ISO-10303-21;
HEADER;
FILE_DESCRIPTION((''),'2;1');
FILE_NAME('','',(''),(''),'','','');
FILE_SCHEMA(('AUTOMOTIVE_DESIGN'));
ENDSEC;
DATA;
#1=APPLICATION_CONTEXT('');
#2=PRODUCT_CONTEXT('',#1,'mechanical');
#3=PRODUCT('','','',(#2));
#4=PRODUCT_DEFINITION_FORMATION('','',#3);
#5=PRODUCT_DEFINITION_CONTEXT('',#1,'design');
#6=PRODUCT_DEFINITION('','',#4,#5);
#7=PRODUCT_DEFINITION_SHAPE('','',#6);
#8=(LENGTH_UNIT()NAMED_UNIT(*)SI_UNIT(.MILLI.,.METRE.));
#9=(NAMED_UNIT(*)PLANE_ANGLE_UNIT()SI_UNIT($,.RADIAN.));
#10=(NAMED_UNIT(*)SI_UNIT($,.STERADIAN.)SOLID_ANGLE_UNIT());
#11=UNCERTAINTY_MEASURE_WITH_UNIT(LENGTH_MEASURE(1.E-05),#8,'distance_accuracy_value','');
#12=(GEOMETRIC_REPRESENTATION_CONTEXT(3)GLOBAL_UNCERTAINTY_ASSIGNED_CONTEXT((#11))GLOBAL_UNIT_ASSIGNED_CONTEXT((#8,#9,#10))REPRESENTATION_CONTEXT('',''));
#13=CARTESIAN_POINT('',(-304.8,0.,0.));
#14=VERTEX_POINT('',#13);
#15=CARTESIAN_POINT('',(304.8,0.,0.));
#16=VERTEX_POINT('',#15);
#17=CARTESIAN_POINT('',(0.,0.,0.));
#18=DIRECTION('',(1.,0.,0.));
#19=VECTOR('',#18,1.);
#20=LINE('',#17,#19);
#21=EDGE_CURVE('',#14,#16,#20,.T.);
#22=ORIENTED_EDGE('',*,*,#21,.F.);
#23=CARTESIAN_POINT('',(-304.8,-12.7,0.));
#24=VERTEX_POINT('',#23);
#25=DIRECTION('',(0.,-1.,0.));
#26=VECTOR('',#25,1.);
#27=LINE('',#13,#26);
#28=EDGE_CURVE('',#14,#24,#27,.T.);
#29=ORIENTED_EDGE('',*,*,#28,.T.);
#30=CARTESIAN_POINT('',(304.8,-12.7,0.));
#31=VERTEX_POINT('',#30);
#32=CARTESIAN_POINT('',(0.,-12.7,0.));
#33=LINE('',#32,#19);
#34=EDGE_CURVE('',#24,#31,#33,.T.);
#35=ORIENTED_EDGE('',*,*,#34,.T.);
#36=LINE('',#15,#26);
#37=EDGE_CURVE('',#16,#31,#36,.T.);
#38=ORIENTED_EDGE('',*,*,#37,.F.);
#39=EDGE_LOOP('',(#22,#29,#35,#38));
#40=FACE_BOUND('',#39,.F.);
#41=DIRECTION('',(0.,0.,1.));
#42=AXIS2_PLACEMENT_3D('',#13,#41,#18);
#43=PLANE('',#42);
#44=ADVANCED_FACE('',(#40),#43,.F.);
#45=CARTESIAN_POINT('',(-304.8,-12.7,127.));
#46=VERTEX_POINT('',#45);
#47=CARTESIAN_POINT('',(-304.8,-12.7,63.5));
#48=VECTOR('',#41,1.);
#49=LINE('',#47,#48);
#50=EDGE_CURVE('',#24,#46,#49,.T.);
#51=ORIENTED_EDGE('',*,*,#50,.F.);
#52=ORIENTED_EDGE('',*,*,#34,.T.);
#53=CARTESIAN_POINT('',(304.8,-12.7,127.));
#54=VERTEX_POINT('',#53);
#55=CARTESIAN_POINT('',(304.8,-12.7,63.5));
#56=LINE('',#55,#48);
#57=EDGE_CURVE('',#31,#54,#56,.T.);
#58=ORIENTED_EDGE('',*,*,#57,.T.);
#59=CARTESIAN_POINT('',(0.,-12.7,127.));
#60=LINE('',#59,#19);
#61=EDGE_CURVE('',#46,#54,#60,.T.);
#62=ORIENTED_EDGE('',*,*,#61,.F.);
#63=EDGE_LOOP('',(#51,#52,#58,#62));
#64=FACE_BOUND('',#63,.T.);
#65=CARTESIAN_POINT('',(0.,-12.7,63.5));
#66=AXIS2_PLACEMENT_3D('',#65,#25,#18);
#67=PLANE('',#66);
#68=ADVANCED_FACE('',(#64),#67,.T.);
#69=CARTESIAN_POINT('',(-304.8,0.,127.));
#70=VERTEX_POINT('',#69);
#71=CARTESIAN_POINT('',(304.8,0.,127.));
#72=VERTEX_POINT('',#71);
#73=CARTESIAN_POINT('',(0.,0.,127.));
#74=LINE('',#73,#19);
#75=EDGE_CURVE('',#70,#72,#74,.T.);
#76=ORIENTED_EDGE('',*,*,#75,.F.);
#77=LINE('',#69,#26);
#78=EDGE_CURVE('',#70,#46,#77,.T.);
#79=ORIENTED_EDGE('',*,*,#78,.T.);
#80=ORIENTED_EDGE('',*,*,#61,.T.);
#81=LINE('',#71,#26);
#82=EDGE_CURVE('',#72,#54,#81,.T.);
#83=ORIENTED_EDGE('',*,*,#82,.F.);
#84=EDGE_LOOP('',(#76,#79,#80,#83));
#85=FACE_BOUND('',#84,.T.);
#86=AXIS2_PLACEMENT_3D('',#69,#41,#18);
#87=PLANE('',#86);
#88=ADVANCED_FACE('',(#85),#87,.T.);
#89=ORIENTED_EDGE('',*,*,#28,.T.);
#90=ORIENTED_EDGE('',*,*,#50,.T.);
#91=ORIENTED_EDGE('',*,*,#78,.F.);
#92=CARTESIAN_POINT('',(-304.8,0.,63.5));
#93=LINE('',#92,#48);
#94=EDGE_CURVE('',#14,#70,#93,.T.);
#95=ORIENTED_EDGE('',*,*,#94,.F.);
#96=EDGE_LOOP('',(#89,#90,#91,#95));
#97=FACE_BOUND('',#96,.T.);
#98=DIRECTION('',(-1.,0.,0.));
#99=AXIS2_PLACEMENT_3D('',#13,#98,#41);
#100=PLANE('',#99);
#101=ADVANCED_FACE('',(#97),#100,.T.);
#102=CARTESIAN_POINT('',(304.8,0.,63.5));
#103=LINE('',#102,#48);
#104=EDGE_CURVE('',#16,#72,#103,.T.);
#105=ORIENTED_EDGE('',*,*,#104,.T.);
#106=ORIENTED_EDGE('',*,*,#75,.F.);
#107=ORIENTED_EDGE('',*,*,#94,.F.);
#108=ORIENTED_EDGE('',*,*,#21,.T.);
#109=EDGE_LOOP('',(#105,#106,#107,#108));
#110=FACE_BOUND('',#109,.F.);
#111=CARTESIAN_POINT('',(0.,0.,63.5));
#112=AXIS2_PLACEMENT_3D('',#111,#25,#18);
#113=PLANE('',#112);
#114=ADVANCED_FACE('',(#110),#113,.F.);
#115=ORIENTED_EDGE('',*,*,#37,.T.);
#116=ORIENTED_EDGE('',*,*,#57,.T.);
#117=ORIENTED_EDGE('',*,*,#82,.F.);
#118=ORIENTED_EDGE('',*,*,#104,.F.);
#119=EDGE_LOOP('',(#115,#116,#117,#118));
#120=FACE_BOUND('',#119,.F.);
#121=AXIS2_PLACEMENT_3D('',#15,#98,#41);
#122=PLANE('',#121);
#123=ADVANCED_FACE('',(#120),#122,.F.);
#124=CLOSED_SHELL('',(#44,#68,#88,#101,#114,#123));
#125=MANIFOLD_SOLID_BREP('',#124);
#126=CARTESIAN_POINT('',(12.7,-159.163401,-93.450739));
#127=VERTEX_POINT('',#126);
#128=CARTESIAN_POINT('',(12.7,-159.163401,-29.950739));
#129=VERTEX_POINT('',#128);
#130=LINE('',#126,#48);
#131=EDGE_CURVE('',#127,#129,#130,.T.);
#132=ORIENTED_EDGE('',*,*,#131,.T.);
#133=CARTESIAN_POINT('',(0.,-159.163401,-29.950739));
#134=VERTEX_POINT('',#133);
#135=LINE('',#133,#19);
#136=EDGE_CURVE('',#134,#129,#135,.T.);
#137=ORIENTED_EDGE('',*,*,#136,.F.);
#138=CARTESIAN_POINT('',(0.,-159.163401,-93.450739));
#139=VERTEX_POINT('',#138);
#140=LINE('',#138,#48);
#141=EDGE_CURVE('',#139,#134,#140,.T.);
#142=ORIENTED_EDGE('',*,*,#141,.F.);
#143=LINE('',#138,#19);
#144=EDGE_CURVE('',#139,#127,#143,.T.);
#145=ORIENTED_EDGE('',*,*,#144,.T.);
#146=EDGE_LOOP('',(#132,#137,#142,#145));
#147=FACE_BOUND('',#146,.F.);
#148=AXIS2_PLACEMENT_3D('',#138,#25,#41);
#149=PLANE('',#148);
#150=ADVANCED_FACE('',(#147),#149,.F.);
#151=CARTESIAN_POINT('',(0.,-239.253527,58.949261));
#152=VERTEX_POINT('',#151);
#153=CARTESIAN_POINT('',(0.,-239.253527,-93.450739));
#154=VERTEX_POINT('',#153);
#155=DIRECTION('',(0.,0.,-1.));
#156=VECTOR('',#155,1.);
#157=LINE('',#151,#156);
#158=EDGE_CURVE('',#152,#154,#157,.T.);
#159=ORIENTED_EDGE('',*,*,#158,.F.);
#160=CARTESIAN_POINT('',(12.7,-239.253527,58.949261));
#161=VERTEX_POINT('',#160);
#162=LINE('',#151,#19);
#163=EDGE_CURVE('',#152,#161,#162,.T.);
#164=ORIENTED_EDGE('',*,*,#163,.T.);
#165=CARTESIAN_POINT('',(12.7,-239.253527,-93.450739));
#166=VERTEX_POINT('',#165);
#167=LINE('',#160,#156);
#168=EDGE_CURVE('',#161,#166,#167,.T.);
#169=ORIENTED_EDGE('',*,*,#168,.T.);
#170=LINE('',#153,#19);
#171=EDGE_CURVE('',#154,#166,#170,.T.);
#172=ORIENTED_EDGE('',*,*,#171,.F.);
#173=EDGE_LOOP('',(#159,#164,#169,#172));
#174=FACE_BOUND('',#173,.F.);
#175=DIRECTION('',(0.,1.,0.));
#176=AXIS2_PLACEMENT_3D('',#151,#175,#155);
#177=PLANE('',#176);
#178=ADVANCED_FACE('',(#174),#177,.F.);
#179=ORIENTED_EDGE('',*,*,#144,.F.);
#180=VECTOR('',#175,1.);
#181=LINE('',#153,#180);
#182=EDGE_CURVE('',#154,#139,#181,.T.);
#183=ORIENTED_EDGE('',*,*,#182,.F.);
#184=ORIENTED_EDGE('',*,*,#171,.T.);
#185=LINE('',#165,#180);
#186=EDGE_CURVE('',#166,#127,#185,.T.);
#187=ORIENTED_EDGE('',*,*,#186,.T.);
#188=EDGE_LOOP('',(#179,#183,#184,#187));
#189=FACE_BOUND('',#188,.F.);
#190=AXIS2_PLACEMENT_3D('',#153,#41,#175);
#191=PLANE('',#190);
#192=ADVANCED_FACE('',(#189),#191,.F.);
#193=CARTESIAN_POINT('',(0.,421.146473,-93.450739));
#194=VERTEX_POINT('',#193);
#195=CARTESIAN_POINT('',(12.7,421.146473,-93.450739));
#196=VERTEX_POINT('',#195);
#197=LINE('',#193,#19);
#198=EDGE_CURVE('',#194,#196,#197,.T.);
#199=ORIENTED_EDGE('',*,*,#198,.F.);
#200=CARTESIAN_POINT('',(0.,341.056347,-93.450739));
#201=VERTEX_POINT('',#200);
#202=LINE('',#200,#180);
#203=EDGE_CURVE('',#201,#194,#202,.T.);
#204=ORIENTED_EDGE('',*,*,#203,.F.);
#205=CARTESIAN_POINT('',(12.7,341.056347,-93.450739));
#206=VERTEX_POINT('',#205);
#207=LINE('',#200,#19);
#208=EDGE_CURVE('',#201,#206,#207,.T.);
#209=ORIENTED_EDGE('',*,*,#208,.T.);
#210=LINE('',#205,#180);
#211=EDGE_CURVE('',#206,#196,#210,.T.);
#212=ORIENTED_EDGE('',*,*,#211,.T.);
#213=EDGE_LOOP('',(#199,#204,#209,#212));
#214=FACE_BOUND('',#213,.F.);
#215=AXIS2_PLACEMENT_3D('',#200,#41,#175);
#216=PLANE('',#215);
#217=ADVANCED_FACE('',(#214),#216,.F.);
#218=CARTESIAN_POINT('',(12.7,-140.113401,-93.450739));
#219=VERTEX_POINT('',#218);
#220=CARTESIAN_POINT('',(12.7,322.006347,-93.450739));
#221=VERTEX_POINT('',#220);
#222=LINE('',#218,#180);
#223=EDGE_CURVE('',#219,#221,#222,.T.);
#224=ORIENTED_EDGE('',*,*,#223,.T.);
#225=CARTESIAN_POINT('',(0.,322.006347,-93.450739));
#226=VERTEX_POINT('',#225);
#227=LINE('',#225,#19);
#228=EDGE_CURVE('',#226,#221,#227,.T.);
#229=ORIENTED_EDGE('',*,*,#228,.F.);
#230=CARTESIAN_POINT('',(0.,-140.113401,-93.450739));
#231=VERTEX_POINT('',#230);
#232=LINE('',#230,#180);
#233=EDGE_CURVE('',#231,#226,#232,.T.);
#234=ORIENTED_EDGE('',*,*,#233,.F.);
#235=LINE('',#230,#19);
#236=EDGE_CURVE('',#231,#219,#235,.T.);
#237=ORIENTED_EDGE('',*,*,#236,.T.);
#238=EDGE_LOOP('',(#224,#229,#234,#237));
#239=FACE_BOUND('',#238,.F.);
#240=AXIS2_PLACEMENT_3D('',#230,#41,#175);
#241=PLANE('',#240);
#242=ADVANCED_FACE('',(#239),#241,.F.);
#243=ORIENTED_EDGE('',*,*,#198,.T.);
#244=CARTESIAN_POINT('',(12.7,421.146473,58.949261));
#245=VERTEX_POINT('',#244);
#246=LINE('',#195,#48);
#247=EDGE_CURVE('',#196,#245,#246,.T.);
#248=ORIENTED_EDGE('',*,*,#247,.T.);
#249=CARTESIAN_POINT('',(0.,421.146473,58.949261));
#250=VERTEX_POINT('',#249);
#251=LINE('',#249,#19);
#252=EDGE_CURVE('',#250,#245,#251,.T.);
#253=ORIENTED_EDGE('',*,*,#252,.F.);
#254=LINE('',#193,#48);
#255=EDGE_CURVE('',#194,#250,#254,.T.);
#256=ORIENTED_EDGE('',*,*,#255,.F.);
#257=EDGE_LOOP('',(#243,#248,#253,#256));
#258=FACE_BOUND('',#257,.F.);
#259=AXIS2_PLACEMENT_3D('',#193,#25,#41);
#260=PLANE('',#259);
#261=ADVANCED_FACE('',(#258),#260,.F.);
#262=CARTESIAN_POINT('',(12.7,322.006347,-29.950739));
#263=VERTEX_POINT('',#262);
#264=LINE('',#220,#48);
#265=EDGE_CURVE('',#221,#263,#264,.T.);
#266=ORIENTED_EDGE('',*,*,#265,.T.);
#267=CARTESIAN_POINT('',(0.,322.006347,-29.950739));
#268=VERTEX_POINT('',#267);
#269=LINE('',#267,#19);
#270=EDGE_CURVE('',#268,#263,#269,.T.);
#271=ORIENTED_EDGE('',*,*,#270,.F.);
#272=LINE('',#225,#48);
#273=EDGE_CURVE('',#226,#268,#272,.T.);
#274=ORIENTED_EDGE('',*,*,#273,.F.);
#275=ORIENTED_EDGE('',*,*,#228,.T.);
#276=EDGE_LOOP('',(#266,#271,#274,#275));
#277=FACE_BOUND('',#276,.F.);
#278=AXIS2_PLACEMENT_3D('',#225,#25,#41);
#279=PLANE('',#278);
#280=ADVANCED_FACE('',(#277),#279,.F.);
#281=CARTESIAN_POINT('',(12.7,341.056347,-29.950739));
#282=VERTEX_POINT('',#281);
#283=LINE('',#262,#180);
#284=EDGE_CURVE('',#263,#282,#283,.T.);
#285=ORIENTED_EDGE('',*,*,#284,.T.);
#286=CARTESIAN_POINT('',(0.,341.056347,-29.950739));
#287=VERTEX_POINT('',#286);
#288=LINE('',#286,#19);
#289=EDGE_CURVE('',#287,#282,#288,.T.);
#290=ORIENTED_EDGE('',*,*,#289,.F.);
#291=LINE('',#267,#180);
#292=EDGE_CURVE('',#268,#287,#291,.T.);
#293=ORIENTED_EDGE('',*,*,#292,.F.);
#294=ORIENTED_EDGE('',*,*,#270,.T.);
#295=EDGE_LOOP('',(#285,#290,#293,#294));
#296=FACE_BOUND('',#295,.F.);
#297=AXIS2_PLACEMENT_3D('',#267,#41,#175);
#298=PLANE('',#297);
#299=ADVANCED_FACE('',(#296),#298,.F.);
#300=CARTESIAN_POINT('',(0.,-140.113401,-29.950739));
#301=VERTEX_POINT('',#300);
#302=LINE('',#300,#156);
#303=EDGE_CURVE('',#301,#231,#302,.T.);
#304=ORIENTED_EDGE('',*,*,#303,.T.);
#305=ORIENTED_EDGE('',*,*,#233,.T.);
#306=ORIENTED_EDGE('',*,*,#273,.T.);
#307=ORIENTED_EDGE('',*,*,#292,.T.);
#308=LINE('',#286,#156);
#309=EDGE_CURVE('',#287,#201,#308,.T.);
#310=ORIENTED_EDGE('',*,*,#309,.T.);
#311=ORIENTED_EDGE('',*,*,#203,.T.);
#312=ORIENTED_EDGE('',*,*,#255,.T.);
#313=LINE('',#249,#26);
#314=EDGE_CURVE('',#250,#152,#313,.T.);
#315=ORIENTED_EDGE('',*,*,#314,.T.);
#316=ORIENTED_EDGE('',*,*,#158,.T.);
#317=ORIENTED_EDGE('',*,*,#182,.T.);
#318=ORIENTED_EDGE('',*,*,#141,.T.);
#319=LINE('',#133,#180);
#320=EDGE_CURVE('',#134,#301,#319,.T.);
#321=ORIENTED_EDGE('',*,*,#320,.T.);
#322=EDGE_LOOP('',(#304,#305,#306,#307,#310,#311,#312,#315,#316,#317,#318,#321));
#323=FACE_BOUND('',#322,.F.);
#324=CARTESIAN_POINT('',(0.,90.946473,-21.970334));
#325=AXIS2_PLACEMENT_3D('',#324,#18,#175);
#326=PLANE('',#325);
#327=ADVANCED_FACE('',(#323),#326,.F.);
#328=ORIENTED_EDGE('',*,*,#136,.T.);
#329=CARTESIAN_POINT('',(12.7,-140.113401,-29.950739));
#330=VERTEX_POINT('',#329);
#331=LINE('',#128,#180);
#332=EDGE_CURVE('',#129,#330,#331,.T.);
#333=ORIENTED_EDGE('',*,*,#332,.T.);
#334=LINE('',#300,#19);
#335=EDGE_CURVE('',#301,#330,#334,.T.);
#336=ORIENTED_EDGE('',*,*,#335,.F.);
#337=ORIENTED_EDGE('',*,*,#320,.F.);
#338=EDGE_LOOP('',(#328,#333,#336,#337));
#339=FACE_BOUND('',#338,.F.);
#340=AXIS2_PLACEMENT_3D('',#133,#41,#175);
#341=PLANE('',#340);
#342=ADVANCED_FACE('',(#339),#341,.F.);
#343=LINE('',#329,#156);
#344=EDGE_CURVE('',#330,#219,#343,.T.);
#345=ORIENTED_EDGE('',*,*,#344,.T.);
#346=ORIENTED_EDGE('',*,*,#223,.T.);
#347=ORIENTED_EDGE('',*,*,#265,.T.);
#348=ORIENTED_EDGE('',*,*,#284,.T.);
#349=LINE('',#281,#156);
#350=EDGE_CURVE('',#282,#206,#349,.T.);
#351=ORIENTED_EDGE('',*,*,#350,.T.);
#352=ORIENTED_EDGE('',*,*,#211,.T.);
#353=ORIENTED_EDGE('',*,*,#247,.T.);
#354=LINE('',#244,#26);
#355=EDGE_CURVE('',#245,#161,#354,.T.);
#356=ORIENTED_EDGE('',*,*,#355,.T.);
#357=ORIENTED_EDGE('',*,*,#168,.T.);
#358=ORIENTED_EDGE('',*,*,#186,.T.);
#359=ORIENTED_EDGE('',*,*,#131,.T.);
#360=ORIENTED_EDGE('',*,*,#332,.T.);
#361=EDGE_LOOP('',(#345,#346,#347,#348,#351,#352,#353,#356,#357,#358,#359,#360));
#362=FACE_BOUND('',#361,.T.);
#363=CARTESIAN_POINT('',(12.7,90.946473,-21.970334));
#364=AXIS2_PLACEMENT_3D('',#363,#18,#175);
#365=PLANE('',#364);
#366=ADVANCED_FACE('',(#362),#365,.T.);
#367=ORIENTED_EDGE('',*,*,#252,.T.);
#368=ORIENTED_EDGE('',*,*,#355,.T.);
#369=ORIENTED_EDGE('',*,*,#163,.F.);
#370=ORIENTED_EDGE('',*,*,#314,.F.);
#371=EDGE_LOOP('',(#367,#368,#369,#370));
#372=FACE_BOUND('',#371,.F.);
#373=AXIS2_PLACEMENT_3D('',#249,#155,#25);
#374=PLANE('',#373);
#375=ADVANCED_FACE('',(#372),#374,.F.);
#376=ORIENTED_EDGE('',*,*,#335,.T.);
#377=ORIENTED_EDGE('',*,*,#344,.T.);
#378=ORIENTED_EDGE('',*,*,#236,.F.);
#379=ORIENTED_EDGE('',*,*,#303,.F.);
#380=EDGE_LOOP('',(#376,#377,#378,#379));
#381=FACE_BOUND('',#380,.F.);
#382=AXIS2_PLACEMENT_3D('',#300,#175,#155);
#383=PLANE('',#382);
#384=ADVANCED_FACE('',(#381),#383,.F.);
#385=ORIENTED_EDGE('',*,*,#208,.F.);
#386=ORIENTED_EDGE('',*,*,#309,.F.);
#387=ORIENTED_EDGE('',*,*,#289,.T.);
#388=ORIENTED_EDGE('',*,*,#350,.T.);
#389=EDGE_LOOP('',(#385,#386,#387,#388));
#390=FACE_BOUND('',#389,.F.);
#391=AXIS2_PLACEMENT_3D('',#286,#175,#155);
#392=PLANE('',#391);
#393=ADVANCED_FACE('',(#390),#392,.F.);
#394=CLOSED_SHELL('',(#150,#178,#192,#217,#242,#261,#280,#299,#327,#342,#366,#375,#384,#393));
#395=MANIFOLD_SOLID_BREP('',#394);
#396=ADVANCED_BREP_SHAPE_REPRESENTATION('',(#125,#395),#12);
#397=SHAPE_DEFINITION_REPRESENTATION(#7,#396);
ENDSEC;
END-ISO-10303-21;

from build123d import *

# Parameters (mm, degrees)
F0_W     = 609.6
F0_H     = 127
F1_DEPTH = 12.7
F3_DEPTH = 12.7


with BuildPart() as f1:
    # F0 (on Front) → F1 (new body)
    with BuildSketch(Plane.XZ):
        with Locations((0, 63.5)):
            Rectangle(F0_W, F0_H)
    extrude(amount=F1_DEPTH)


with BuildPart() as f3:
    # F2 (on Right) → F3 (new body)
    with BuildSketch(Plane.YZ):
        Polygon((421.146473, -93.450739), (421.146473, 58.949261), (-239.253527, 58.949261), (-239.253527, -93.450739), (-159.163401, -93.450739), (-159.163401, -29.950739), (-140.113401, -29.950739), (-140.113401, -93.450739), (90.946473, -93.450739), (322.006347, -93.450739), (322.006347, -29.950739), (341.056347, -29.950739), (341.056347, -93.450739), align=None)
    extrude(amount=F3_DEPTH)


solid = Compound([f1.part, f3.part])
